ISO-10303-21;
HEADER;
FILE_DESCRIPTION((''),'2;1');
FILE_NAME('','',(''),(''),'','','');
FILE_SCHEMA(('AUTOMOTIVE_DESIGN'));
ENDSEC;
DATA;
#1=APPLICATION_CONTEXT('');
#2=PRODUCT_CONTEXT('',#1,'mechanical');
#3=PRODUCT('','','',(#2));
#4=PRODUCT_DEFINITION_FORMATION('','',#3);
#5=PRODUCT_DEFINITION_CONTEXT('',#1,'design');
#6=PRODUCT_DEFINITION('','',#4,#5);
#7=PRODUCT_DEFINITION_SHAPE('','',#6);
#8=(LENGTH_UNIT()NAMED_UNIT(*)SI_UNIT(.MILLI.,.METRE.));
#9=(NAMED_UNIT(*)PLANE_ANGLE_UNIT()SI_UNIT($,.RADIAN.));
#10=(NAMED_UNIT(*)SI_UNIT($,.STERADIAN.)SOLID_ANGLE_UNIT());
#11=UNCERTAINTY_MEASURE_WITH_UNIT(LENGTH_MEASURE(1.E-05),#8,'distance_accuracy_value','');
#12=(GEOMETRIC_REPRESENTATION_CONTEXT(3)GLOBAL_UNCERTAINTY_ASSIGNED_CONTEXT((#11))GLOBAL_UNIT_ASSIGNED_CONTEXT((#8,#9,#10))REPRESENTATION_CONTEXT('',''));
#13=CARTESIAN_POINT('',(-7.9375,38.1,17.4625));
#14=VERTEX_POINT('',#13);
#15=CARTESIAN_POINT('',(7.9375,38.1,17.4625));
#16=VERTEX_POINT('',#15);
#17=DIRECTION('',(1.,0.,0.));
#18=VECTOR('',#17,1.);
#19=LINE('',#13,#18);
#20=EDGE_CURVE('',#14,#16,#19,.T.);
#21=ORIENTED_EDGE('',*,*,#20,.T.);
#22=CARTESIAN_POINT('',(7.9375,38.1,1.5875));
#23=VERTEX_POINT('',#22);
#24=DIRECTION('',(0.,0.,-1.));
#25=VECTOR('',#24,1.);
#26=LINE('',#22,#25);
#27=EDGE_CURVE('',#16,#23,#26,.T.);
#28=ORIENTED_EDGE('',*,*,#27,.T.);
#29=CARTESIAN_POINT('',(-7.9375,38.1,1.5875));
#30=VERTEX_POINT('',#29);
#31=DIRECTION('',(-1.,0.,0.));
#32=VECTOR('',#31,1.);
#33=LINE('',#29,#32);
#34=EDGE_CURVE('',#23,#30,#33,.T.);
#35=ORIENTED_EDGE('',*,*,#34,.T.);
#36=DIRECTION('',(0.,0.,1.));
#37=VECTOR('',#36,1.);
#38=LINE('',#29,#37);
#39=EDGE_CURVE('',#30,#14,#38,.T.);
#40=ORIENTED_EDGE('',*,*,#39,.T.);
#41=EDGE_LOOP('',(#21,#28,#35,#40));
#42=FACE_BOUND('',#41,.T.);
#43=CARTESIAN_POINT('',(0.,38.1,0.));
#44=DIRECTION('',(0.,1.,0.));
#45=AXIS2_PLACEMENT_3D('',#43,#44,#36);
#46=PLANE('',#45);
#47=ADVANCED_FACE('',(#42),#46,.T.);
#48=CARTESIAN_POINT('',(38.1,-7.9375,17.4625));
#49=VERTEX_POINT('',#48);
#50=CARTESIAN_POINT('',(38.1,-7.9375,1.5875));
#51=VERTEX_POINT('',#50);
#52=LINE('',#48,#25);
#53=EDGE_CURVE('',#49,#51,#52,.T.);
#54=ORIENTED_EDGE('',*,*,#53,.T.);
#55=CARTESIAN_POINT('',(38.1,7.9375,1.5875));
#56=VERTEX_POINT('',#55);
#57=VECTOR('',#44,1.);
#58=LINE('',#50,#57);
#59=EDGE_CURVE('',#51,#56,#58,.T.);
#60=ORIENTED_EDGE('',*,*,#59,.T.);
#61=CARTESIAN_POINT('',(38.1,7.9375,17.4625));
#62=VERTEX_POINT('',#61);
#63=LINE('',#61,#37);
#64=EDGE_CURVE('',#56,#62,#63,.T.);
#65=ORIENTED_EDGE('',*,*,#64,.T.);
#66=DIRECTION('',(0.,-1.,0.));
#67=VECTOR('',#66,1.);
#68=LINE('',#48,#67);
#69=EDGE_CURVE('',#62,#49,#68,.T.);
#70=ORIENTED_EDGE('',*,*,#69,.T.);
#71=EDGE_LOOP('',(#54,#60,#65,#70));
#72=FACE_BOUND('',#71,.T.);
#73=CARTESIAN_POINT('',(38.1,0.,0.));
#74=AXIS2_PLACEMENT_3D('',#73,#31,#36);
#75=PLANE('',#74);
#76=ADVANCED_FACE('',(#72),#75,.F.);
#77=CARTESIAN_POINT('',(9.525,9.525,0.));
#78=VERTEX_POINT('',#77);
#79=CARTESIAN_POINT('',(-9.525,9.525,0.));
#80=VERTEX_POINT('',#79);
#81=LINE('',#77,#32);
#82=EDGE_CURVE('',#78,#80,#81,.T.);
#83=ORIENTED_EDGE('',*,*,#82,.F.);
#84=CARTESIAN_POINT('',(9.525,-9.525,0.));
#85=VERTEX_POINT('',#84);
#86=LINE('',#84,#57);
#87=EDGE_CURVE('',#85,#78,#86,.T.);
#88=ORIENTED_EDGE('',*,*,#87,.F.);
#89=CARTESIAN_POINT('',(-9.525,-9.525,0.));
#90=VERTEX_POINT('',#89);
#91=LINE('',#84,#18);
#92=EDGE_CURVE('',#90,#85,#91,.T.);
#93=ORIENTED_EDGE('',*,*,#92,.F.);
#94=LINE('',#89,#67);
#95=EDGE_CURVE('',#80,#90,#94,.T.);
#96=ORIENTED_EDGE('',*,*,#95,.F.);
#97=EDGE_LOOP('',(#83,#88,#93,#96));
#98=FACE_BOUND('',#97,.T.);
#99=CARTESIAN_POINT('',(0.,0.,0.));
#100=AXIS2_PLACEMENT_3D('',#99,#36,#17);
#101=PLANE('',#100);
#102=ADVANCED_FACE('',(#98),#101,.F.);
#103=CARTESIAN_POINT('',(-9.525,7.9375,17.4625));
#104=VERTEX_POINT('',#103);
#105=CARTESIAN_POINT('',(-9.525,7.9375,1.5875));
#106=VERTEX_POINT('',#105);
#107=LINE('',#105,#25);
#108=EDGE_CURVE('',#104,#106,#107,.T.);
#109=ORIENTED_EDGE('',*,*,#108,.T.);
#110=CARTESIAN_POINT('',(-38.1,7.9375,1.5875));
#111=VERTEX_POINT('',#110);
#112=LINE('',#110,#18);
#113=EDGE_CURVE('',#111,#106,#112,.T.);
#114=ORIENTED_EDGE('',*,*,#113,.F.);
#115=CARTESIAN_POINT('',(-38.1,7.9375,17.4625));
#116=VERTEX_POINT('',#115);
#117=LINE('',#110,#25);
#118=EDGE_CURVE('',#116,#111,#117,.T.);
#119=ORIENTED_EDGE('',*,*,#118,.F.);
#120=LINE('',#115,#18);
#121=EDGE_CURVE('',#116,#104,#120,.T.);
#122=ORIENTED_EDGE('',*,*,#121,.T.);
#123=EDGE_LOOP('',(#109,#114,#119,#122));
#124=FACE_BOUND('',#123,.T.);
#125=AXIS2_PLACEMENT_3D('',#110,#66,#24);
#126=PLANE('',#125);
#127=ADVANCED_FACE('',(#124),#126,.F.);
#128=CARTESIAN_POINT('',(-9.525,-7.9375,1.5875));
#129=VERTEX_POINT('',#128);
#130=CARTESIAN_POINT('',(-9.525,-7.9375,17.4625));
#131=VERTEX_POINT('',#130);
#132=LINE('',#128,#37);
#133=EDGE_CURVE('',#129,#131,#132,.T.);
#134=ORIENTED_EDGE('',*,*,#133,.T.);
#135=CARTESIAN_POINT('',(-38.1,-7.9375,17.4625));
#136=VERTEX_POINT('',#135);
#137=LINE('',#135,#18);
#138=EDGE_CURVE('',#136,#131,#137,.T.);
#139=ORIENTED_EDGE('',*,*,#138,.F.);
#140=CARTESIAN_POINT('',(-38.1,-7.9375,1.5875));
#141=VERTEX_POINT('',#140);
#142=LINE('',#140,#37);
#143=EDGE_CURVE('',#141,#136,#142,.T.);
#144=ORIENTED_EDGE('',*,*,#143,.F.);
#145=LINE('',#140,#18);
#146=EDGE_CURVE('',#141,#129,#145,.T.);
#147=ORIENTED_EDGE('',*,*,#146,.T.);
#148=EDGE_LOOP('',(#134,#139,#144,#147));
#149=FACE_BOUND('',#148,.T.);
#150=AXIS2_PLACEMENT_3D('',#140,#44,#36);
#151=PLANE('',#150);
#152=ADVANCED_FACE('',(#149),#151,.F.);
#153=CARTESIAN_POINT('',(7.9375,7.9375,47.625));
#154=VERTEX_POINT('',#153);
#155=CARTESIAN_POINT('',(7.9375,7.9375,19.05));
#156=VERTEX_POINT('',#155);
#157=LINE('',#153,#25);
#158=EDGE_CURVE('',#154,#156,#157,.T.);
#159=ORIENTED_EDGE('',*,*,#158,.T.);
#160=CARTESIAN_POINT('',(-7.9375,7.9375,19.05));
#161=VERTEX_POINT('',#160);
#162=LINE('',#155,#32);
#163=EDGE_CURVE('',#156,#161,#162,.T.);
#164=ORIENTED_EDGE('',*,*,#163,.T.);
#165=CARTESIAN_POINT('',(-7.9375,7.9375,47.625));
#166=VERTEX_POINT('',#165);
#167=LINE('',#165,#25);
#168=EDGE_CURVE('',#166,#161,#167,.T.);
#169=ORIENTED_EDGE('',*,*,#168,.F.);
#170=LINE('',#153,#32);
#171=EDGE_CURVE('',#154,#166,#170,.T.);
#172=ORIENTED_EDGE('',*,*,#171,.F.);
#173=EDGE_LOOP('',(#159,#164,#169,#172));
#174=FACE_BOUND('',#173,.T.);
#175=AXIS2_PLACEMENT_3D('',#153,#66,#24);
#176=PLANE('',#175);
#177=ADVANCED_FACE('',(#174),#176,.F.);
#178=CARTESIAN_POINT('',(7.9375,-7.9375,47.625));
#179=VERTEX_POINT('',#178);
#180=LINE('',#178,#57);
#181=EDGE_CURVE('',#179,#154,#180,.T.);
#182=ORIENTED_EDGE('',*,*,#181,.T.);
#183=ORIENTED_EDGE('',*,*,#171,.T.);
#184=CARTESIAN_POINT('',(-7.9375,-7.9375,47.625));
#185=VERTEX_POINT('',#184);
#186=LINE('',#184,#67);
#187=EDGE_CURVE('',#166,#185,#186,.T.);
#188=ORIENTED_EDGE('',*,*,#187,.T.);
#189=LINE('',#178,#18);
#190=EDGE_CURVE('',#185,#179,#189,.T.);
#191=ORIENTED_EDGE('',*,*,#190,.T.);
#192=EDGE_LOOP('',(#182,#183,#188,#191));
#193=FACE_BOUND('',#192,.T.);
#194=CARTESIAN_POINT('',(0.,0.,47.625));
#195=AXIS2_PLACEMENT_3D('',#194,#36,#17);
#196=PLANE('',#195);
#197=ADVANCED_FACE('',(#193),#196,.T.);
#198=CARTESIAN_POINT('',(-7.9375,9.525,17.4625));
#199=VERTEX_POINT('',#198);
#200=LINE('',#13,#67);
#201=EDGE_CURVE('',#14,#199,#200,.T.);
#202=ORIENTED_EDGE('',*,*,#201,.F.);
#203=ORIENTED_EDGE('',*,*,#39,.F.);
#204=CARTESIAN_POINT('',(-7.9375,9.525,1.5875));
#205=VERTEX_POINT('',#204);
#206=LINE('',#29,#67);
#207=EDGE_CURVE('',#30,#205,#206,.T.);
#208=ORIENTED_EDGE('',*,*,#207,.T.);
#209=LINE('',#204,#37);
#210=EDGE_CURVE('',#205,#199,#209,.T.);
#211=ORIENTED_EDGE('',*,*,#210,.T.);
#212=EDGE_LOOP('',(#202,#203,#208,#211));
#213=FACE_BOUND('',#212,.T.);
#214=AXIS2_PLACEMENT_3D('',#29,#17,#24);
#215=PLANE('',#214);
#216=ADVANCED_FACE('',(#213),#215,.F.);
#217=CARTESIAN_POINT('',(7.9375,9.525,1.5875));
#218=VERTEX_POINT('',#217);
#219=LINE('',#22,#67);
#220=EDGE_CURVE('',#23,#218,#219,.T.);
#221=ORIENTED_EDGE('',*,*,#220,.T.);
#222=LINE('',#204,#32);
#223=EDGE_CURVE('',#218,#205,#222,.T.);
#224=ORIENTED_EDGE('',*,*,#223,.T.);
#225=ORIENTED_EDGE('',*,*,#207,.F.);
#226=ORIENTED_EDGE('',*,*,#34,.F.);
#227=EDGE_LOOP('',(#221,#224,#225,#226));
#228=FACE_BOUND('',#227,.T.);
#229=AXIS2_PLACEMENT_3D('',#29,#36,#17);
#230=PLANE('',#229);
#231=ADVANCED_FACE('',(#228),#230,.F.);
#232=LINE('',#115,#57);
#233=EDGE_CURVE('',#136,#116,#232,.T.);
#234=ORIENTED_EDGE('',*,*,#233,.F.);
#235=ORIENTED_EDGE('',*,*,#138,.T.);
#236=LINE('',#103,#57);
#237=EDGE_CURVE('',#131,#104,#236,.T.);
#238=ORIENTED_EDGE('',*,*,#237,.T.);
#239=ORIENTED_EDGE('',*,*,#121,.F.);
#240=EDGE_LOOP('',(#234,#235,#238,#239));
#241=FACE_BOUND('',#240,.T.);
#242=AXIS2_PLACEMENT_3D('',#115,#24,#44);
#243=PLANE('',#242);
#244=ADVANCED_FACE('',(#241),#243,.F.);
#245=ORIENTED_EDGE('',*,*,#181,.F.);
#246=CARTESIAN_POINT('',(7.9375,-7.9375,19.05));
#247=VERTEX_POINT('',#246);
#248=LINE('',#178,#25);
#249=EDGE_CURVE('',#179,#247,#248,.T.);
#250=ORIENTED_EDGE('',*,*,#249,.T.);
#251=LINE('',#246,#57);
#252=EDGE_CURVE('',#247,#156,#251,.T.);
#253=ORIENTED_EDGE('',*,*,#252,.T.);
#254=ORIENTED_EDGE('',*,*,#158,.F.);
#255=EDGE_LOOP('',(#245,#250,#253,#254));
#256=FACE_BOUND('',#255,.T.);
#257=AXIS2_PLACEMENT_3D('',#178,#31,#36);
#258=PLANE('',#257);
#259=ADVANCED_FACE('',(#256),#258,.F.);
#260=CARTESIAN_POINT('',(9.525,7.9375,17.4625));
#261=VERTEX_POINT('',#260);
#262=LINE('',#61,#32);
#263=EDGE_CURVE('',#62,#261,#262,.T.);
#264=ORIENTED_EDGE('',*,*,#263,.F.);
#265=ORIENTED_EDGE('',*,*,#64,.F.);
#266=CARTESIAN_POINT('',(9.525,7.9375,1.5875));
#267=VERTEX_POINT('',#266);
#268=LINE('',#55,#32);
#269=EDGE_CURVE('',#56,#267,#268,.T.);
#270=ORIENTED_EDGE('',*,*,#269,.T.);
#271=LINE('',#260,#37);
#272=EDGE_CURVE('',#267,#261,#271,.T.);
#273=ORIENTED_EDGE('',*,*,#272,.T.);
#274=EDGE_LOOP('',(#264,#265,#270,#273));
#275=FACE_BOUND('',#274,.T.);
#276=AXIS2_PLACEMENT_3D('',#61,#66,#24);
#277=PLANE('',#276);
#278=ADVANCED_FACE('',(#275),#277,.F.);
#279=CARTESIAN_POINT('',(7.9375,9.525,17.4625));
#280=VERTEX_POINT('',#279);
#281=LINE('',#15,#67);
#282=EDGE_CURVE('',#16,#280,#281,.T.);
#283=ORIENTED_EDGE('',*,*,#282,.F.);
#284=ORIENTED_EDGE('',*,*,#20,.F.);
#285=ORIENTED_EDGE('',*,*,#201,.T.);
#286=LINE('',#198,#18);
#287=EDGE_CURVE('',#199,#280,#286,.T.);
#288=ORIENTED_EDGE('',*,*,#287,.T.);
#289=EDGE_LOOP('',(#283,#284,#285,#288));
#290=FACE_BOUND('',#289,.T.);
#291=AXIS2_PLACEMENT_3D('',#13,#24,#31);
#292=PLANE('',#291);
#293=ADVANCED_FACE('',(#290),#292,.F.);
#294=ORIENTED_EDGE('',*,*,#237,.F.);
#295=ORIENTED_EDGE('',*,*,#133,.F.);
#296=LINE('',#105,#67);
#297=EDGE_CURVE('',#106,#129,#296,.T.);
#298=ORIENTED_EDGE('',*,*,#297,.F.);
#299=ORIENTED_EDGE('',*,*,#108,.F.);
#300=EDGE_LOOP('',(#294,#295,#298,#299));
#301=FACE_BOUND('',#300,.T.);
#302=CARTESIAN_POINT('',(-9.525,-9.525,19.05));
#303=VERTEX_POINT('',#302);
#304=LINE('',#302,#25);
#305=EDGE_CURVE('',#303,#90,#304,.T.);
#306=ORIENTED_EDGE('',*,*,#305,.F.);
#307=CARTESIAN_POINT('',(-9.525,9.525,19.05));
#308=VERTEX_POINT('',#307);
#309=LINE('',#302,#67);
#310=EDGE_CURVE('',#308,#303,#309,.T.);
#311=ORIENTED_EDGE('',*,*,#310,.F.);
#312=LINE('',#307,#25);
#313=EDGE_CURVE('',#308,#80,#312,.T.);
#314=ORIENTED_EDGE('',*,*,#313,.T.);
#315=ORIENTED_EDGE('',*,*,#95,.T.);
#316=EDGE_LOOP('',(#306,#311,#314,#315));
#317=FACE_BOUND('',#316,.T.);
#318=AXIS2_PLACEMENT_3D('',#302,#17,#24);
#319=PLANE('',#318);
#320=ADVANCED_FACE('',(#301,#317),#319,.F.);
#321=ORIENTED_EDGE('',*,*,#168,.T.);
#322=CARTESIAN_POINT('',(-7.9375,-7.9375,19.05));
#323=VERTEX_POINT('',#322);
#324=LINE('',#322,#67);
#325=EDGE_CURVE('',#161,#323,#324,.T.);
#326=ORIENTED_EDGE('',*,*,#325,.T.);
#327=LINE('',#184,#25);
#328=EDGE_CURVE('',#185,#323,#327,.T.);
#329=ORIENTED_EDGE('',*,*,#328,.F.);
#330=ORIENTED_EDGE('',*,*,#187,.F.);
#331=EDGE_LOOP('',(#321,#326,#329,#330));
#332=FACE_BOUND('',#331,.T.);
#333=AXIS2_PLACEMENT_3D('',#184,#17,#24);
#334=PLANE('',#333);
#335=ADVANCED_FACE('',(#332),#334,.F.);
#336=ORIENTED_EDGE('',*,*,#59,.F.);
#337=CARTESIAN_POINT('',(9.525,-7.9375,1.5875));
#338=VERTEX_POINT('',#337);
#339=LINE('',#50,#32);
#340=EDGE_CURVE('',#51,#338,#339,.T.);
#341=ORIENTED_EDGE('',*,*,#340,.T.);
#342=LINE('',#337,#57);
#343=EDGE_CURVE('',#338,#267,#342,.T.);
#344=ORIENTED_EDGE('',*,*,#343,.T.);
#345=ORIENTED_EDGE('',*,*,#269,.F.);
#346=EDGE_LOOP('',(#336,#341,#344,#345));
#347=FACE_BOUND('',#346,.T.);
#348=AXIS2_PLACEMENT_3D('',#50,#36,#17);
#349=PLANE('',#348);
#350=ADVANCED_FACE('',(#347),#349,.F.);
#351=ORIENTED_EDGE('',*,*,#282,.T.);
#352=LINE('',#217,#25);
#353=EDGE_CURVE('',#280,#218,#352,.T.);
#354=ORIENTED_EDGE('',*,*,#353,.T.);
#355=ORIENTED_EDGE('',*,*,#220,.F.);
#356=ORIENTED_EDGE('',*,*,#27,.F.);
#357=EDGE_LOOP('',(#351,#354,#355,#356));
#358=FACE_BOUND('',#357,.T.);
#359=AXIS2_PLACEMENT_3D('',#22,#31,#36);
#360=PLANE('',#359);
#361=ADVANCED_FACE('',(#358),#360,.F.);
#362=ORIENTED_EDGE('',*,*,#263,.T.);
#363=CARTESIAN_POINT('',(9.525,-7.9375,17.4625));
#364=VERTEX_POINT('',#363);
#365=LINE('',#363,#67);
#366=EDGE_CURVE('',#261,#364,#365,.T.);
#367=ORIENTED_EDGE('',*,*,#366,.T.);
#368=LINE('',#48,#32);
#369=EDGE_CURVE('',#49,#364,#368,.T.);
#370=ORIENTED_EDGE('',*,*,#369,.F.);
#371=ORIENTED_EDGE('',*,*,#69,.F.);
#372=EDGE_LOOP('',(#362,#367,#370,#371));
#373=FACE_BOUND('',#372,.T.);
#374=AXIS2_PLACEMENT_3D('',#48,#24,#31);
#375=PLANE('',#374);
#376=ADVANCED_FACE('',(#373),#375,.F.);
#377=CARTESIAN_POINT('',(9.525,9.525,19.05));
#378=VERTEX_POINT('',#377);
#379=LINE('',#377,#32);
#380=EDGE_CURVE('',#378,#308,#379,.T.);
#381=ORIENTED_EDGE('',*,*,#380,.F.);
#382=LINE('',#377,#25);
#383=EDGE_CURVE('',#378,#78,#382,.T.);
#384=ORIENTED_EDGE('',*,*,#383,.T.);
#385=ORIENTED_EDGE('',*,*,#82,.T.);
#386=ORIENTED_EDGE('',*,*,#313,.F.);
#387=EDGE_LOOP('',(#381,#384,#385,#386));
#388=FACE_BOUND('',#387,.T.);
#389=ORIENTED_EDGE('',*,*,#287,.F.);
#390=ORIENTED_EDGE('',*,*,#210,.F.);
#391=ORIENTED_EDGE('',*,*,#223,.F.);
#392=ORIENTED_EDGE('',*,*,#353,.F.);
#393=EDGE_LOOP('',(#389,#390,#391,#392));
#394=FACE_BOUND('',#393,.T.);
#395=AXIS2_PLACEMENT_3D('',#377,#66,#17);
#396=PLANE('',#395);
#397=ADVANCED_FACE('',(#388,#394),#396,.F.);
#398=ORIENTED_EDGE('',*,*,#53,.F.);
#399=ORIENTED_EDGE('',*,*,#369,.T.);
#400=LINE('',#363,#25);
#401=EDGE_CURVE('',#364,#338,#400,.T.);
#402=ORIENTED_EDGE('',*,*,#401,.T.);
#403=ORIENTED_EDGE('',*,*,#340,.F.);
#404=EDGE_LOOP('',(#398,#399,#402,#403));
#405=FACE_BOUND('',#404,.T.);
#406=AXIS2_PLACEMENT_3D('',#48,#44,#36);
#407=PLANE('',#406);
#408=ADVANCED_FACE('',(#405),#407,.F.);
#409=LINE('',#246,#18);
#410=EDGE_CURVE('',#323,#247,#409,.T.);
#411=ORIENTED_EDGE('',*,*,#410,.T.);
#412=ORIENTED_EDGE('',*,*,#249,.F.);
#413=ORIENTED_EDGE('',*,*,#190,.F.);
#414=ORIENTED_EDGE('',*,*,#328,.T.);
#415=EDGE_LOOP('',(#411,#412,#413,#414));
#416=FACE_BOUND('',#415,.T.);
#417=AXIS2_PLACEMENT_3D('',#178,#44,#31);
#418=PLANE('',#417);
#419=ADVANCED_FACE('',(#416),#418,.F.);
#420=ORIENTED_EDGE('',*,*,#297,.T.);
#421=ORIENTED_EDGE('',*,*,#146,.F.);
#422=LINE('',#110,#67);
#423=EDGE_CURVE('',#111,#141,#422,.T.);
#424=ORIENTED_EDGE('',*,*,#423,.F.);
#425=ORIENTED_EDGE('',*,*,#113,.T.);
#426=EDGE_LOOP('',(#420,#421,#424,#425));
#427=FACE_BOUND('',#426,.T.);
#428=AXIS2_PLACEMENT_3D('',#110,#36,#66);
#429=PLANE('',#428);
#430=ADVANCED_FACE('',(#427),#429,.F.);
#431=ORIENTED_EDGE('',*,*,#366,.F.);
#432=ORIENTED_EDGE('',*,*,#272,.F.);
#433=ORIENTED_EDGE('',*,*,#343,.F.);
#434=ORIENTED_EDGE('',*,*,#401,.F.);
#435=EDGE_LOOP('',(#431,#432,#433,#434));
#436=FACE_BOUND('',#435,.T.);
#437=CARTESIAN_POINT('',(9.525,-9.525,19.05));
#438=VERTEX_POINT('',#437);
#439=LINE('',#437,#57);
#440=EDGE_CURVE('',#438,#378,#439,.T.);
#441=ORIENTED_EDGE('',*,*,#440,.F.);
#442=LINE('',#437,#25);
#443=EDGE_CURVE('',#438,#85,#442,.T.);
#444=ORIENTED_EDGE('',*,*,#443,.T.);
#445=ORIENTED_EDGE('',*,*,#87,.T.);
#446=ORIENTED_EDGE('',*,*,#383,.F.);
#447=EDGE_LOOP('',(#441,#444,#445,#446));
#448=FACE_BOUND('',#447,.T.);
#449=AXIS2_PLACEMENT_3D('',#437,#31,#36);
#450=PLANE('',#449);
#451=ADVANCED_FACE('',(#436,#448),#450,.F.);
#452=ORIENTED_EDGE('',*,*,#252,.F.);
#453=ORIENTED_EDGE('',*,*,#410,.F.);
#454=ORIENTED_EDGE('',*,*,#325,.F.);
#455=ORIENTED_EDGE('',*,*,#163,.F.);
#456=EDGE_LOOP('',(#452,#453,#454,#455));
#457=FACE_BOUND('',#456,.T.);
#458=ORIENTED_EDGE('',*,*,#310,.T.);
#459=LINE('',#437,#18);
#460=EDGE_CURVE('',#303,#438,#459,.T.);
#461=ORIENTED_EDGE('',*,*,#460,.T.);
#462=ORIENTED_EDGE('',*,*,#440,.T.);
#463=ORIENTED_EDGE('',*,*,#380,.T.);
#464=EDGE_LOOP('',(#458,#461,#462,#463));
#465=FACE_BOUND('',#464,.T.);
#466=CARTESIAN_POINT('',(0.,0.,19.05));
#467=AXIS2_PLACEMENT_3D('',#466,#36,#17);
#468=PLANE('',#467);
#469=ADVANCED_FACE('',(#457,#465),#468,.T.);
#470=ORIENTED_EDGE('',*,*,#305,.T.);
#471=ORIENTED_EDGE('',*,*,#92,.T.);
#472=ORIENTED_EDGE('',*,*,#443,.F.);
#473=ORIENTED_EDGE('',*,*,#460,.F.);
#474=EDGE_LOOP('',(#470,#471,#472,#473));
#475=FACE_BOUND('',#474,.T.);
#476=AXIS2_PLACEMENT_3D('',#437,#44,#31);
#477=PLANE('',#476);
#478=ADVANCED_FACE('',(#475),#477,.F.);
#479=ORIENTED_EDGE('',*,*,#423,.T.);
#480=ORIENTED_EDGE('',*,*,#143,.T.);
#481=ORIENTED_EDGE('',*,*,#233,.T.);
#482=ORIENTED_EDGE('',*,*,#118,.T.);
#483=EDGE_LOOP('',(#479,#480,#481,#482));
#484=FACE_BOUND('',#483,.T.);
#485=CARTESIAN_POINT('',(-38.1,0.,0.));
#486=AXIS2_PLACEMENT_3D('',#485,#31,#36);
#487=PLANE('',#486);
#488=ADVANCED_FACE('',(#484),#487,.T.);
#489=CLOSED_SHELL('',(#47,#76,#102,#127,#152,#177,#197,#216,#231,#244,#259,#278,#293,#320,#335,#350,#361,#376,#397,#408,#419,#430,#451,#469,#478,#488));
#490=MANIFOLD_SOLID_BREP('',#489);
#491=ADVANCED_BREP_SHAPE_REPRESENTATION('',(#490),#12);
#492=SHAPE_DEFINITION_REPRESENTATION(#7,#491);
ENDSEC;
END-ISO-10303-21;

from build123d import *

# Parameters (mm, degrees)
SKETCH1_W           = 19.05
SKETCH1_H           = 19.05
BOSS_EXTRUDE1_DEPTH = 19.05
SKETCH2_W           = 15.875
SKETCH2_H           = 15.875
BOSS_EXTRUDE2_DEPTH = 28.575
SKETCH3_W           = 15.875
SKETCH3_H           = 15.875
BOSS_EXTRUDE3_DEPTH = 28.575
SKETCH4_W           = 15.875
SKETCH4_H           = 15.875
BOSS_EXTRUDE4_DEPTH = 28.575
SKETCH5_W           = 15.875
SKETCH5_H           = 15.875
BOSS_EXTRUDE5_DEPTH = 28.575


with BuildPart() as part:
    # Sketch1 → Boss-Extrude1 (new body)
    with BuildSketch(Plane.XY):
        Rectangle(SKETCH1_W, SKETCH1_H)
    extrude(amount=BOSS_EXTRUDE1_DEPTH)

    # Sketch2 → Boss-Extrude2 (add)
    with BuildSketch(Plane(origin=(0, 9.525, 0), x_dir=(1, 0, 0), z_dir=(0, 1, 0))):
        with Locations((0, -9.525)):
            Rectangle(SKETCH2_W, SKETCH2_H)
    extrude(amount=BOSS_EXTRUDE2_DEPTH)

    # Sketch3 → Boss-Extrude3 (add)
    with BuildSketch(Plane(origin=(9.525, 0, 0), x_dir=(0, 0, -1), z_dir=(1, 0, 0))):
        with Locations((-9.525, 0)):
            Rectangle(SKETCH3_W, SKETCH3_H)
    extrude(amount=BOSS_EXTRUDE3_DEPTH)

    # Sketch4 → Boss-Extrude4 (add)
    with BuildSketch(Plane.XY.offset(19.05)):
        Rectangle(SKETCH4_W, SKETCH4_H)
    extrude(amount=BOSS_EXTRUDE4_DEPTH)

    # Sketch5 → Boss-Extrude5 (add)
    with BuildSketch(Plane.ZY.offset(9.525)):
        with Locations((9.525, 0)):
            Rectangle(SKETCH5_W, SKETCH5_H)
    extrude(amount=BOSS_EXTRUDE5_DEPTH)


solid = part.part
